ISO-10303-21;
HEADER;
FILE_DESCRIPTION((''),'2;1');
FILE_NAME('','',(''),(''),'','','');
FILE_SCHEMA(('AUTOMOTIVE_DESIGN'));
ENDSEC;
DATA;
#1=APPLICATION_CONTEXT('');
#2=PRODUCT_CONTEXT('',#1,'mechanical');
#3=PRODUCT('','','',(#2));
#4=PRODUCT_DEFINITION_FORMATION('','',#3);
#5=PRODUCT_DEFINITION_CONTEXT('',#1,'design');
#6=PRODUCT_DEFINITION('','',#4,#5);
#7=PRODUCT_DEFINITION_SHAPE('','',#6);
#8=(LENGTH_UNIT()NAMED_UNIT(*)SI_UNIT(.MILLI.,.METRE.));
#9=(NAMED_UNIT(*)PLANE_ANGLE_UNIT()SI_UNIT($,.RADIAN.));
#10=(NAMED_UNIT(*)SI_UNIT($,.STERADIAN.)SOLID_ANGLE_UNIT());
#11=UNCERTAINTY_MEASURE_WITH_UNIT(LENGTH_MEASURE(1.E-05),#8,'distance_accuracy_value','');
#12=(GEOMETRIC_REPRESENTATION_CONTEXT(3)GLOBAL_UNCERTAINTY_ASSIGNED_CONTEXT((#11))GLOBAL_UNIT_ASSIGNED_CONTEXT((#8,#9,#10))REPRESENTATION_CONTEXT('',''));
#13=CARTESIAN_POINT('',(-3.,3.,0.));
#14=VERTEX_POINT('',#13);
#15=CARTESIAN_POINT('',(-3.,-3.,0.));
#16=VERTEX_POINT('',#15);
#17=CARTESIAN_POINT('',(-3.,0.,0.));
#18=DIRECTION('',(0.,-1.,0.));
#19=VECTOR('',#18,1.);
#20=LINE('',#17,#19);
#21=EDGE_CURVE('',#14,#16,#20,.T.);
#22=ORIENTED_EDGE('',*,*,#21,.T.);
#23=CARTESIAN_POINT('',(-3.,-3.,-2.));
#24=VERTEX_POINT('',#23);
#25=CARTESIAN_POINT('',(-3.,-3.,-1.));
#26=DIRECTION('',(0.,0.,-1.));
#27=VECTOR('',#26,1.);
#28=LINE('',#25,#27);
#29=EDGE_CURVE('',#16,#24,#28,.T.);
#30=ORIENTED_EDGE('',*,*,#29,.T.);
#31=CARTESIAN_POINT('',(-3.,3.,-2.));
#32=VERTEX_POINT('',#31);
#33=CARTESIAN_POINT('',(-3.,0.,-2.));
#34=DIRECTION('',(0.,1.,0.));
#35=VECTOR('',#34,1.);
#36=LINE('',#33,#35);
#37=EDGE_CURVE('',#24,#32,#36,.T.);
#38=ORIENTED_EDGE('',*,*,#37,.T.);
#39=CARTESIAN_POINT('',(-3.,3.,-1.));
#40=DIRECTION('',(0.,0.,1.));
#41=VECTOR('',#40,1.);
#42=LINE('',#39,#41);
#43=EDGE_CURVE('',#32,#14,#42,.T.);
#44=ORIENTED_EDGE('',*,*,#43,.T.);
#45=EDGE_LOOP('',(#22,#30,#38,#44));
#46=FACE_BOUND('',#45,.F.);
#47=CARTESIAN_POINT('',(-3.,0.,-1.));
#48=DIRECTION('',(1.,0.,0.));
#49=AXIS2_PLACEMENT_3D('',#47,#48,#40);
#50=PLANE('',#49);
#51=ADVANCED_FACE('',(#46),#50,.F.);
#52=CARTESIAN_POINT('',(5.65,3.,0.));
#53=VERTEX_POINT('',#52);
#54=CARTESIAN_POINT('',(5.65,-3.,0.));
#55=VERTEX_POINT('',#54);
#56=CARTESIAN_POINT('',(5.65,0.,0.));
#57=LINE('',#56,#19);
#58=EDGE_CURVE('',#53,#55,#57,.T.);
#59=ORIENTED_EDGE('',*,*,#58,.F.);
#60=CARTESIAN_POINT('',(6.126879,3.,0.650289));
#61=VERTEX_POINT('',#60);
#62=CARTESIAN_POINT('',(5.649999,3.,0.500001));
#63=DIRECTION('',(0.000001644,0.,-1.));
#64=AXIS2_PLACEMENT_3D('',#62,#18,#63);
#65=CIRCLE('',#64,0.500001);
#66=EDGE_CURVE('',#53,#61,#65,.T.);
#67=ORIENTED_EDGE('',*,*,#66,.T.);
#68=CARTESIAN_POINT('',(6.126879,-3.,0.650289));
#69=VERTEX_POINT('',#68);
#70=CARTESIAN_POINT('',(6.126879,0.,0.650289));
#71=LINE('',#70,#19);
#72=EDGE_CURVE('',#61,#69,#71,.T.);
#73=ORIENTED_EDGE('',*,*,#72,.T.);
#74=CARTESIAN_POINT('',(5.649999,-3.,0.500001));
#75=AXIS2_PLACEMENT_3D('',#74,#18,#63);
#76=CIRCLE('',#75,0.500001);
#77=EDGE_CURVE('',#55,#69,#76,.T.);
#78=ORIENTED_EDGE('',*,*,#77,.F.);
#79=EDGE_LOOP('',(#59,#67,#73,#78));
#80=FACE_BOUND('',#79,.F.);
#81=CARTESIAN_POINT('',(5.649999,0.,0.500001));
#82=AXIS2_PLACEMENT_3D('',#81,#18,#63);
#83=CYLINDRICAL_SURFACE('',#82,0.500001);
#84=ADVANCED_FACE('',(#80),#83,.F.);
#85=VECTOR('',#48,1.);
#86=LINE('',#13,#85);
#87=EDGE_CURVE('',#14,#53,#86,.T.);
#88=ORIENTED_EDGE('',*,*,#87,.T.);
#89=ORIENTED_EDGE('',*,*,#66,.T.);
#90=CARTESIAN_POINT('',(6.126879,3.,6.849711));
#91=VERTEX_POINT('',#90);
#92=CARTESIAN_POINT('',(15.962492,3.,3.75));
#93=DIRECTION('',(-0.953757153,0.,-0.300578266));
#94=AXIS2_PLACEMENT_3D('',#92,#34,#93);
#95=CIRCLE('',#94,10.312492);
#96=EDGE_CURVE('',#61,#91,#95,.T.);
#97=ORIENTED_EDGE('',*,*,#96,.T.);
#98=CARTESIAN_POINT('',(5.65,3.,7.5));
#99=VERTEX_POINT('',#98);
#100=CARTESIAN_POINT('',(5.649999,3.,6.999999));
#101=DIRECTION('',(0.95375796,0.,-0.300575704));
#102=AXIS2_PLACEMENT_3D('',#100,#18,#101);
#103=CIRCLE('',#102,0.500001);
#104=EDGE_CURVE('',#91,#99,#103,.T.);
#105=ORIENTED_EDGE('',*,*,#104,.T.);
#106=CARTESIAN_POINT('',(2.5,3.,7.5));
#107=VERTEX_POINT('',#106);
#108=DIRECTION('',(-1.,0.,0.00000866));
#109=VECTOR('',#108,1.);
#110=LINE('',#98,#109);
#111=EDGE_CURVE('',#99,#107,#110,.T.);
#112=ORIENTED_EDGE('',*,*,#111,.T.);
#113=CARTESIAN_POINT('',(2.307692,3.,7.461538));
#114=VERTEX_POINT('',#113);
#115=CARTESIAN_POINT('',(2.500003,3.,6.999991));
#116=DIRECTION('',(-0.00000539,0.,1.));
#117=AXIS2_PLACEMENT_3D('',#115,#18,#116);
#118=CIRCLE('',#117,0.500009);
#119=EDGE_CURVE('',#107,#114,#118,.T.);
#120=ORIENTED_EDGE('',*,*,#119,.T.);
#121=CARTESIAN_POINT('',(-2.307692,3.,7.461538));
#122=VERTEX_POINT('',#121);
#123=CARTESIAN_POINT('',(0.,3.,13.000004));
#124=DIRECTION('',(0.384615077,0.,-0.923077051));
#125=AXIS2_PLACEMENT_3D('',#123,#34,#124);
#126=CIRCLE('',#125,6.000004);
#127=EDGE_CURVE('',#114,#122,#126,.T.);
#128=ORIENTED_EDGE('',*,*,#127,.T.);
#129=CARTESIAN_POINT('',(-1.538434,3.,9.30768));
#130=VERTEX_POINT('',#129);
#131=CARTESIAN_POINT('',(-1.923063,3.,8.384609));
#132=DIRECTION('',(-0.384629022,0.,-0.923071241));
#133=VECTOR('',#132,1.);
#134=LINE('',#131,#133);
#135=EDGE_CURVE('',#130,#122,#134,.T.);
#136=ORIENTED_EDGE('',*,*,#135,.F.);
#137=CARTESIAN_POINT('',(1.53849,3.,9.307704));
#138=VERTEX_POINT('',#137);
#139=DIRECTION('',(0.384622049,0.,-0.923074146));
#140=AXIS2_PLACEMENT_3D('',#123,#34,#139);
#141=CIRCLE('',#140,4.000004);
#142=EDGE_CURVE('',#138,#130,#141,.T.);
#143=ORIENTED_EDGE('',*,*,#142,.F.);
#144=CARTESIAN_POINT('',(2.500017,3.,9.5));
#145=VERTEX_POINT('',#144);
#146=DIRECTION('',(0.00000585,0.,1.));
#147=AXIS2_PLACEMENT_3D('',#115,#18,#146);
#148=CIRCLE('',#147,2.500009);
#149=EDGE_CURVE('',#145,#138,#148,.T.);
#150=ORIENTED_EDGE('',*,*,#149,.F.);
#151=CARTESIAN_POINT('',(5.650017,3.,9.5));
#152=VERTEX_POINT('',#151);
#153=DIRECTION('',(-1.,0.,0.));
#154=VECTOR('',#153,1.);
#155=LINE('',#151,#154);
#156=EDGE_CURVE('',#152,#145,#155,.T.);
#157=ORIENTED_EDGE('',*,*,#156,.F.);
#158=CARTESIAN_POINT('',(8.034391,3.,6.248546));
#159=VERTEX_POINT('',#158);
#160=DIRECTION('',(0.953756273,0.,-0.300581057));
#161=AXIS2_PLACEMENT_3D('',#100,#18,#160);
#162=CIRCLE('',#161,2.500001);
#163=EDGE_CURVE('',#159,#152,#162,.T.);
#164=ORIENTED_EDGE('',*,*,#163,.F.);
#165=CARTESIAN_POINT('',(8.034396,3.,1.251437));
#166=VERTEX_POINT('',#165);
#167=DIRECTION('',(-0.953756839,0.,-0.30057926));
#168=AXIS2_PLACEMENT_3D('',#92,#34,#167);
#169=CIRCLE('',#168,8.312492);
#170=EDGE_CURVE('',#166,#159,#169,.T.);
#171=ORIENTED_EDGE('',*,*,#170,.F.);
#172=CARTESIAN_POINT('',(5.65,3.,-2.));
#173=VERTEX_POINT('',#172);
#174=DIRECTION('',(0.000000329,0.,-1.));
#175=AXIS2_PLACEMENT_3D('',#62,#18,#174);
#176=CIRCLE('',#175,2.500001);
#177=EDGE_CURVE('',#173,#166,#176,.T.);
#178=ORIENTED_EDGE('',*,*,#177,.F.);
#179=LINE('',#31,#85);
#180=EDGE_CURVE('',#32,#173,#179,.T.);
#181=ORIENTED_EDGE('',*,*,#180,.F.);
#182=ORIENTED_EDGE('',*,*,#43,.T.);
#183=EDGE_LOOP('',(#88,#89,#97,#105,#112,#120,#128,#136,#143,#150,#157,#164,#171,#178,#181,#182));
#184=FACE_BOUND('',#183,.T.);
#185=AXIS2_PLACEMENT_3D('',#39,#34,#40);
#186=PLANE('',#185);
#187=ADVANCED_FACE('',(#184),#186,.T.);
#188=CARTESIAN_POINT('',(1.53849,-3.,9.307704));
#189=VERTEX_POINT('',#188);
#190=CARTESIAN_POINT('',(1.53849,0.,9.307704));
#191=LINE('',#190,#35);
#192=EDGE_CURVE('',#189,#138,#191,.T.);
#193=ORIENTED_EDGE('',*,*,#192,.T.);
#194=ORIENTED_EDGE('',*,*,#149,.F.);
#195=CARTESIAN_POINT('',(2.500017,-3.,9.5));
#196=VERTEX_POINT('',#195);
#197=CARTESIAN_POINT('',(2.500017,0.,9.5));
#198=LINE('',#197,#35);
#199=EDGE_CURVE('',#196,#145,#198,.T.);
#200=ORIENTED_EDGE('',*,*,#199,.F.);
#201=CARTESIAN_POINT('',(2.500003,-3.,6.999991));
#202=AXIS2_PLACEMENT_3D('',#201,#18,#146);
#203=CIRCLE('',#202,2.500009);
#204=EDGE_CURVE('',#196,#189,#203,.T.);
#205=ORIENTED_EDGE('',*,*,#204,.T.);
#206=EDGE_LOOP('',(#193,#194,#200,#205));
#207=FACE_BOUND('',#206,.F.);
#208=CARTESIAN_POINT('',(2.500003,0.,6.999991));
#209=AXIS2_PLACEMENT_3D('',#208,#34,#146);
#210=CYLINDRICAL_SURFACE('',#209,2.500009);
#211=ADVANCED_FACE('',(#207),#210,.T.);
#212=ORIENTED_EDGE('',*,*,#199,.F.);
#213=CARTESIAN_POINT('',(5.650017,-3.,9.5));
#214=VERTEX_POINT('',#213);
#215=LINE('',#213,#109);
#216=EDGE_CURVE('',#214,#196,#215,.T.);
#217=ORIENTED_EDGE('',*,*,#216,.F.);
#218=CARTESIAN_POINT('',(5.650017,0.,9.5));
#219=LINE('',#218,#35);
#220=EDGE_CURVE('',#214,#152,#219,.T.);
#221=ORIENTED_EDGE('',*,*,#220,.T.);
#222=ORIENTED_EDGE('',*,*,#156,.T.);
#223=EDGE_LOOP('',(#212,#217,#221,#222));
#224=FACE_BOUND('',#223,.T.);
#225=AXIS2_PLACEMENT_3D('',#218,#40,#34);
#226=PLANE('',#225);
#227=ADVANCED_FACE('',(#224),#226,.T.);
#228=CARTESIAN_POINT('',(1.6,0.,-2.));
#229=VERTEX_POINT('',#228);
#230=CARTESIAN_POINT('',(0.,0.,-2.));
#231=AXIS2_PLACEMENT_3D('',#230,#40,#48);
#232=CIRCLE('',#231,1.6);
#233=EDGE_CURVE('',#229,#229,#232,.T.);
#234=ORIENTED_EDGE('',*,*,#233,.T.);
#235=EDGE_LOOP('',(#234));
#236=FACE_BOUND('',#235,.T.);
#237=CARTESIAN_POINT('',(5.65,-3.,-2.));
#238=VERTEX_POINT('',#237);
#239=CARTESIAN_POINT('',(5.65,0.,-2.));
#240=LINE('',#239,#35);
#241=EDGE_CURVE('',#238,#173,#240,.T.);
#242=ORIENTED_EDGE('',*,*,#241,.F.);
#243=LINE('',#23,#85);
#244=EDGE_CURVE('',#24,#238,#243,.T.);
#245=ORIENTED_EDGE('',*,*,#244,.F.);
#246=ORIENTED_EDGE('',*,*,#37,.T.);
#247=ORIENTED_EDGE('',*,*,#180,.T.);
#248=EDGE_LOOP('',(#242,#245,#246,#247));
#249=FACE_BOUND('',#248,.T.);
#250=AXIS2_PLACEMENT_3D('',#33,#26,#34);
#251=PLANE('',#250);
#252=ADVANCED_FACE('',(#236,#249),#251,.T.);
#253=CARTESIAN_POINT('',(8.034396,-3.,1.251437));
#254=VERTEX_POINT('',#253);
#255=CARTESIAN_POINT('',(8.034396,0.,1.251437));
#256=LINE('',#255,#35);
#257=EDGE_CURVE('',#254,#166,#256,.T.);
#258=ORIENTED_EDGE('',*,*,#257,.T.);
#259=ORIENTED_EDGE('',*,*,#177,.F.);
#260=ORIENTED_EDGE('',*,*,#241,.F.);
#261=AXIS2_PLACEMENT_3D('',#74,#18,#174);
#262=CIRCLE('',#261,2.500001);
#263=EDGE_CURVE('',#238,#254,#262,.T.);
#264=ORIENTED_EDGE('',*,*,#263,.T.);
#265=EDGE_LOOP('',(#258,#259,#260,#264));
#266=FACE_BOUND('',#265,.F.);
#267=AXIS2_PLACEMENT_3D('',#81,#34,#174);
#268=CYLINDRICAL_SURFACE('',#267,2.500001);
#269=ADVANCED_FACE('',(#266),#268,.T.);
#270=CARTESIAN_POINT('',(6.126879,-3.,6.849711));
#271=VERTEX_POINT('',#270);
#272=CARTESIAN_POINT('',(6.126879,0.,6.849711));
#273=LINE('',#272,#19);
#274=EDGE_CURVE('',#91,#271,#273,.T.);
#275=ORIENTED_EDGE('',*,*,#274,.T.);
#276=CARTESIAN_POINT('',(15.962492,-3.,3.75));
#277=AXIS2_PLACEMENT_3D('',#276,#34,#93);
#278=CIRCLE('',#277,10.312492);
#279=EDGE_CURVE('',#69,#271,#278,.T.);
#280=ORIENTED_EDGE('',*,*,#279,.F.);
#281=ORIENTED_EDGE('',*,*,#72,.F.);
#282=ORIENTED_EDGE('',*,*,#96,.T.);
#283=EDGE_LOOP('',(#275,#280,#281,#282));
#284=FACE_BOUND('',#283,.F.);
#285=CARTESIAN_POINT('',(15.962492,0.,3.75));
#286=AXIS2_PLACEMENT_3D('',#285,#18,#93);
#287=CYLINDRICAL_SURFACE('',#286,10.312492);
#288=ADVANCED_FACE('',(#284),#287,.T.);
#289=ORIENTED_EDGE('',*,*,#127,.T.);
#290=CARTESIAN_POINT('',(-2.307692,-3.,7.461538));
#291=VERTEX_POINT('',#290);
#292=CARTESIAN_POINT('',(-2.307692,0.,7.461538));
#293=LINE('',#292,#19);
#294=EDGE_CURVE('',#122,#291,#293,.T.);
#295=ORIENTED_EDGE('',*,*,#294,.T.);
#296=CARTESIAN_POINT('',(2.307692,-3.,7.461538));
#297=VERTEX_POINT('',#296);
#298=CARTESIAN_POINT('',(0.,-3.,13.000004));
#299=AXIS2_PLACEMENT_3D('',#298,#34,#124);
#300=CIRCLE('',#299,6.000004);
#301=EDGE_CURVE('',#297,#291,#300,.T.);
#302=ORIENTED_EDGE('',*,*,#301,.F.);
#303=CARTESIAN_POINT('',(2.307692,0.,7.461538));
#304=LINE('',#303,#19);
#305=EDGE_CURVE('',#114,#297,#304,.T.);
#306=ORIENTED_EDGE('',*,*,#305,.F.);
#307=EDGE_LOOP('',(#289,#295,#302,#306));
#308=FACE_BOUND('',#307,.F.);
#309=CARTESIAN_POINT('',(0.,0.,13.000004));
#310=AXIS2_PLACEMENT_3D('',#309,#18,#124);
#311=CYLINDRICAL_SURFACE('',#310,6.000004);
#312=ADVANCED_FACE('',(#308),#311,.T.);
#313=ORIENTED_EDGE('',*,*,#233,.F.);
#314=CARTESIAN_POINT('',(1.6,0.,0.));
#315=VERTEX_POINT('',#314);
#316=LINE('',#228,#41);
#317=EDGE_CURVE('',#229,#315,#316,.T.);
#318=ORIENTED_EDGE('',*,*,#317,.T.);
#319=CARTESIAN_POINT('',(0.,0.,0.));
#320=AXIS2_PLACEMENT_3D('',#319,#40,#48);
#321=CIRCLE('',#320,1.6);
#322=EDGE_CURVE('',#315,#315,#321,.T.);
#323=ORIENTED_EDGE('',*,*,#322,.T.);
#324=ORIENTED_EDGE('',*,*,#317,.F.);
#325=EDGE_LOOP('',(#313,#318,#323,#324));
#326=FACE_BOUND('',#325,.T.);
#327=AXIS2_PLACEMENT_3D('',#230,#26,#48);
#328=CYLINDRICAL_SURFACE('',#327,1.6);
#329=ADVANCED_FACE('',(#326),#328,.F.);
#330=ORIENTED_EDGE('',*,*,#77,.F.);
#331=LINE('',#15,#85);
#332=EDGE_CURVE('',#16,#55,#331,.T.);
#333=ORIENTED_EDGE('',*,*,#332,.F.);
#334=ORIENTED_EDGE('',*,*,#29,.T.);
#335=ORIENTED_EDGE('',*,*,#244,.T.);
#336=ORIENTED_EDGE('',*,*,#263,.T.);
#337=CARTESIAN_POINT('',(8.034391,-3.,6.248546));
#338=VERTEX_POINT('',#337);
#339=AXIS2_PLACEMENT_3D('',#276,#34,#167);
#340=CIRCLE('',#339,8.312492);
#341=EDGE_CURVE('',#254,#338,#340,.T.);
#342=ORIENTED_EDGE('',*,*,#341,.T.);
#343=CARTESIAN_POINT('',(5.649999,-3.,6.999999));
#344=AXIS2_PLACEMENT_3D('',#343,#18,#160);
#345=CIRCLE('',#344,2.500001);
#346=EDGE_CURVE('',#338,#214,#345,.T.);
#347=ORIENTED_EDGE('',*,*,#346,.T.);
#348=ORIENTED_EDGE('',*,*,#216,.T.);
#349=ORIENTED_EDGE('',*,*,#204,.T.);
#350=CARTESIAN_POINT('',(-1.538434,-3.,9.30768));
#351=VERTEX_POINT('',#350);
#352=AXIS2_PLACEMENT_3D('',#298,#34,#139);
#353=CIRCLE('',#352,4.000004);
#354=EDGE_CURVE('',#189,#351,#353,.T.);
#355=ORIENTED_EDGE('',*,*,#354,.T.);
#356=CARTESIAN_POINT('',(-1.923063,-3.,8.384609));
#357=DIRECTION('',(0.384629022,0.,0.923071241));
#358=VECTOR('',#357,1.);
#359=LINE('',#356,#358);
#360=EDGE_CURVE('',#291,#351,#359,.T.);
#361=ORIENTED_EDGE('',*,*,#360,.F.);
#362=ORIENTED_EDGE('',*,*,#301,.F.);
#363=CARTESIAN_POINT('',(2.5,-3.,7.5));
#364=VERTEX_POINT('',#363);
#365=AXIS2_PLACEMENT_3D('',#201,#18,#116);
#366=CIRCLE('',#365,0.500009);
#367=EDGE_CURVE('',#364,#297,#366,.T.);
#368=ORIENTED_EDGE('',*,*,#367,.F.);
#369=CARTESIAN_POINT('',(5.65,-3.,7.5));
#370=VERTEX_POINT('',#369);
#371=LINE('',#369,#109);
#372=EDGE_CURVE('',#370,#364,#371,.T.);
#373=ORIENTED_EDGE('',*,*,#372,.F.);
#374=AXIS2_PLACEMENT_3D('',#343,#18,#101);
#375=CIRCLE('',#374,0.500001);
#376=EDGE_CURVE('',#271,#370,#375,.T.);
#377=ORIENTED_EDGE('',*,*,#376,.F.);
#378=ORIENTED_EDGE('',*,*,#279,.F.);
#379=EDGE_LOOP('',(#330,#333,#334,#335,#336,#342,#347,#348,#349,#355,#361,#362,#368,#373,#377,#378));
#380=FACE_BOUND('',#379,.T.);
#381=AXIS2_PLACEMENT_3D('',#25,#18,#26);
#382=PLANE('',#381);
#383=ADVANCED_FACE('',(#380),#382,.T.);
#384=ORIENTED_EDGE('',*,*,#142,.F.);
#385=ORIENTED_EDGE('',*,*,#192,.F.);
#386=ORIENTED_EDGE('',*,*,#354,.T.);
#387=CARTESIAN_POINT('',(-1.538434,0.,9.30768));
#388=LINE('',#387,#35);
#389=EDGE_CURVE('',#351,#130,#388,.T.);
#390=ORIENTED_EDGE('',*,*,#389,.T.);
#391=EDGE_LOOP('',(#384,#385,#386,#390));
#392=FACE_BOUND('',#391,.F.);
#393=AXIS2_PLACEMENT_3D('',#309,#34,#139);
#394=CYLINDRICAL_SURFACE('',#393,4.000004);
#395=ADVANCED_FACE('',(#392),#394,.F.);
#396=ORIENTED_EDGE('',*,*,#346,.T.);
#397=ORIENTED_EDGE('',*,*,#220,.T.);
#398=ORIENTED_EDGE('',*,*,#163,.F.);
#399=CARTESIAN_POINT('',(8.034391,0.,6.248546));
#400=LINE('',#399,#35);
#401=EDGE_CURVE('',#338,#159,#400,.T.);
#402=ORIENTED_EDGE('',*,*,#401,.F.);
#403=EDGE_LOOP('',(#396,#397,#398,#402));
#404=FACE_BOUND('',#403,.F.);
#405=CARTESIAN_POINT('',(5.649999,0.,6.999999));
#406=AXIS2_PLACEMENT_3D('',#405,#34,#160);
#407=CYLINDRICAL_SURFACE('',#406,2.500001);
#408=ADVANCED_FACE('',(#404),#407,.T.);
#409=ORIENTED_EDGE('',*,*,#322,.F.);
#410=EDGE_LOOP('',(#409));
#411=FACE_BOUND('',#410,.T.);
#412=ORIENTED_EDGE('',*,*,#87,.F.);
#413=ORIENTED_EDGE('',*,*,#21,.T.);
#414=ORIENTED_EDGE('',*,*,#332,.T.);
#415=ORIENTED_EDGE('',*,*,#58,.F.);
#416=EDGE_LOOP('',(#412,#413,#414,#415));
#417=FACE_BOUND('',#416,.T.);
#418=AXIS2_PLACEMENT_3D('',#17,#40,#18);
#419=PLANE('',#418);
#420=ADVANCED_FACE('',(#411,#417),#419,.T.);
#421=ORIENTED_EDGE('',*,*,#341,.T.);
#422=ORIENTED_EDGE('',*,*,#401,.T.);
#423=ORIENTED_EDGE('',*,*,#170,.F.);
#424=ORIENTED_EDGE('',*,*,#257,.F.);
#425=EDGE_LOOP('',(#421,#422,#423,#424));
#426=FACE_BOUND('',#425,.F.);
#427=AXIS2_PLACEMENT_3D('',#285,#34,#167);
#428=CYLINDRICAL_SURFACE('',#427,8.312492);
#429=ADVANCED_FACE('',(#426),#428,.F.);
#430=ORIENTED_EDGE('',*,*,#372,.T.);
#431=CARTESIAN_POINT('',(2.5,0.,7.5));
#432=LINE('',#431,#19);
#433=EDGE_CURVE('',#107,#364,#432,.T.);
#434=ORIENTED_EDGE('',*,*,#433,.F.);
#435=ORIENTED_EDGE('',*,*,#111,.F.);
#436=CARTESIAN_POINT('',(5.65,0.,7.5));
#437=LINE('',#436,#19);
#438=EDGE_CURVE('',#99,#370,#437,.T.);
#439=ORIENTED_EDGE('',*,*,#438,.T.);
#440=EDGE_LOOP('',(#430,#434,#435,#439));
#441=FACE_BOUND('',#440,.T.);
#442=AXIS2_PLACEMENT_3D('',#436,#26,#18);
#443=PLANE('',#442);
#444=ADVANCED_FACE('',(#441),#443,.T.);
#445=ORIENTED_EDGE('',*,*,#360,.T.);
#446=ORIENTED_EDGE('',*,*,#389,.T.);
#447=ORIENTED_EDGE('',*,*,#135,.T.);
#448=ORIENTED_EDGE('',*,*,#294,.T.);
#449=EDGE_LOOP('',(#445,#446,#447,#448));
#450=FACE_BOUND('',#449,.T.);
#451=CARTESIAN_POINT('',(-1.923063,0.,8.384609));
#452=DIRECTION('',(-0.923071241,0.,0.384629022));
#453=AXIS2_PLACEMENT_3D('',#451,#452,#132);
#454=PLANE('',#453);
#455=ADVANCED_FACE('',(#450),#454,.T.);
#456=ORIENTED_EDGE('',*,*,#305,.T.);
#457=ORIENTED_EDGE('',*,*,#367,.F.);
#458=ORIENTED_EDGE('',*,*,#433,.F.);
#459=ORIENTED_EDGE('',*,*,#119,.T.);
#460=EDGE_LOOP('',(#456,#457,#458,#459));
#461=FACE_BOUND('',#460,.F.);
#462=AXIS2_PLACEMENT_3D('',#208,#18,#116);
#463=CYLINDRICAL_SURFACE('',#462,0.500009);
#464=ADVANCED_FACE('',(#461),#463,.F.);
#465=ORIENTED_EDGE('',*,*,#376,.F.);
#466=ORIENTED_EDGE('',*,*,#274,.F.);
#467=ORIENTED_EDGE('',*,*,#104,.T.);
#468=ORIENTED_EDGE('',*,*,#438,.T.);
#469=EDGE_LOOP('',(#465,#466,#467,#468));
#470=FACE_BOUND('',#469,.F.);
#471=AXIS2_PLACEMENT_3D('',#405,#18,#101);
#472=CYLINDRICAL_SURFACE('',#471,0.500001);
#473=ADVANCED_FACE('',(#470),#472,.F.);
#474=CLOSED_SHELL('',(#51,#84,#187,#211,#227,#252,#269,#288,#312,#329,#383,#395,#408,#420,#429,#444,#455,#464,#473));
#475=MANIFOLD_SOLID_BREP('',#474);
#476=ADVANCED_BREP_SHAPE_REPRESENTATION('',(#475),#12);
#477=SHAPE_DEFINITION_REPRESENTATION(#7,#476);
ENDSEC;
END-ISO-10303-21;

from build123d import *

# Parameters (mm, degrees)
SKETCH001_W = 6
SKETCH001_H = 2
SKETCH002_R = 1.6
HOLE_DEPTH  = 2
HOLE_TIPS_R = 1.6


with BuildPart() as part:
    # AdditivePipe: sweep along a path in Sketch
    with BuildLine(Plane.XZ) as additivepipe_path:
        Line((-3, 0), (5.65, 0))
        ThreePointArc((5.65, 0), (6.053202, 0.204318), (6.126879, 0.650289))
        ThreePointArc((6.126879, 0.650289), (5.65, 3.75), (6.126879, 6.849711))
        ThreePointArc((6.126879, 6.849711), (6.053202, 7.295682), (5.65, 7.5))
        Line((5.65, 7.5), (2.5, 7.5))
        ThreePointArc((2.5, 7.5), (2.401942, 7.49029), (2.307692, 7.461538))
        ThreePointArc((2.307692, 7.461538), (0, 7), (-2.307692, 7.461538))
    # Sketch001 → AdditivePipe (sweep)
    with BuildSketch(Plane.YZ):
        with Locations((0, -1)):
            Rectangle(SKETCH001_W, SKETCH001_H)
    sweep(path=additivepipe_path.line)

    # Sketch002 (on DatumPlane) → Hole (cut)
    with BuildSketch(Plane.XY.offset(-2)):
        Circle(SKETCH002_R)
    extrude(amount=HOLE_DEPTH, mode=Mode.SUBTRACT)

    # Hole tips → Hole tip 1 section 0
    with BuildSketch(Plane.XY, mode=Mode.PRIVATE) as hole_tip_1_s0:
        Circle(HOLE_TIPS_R)
    loft([hole_tip_1_s0.sketch, Vertex(0, 0, 0.961377)], mode=Mode.SUBTRACT)


solid = part.part
